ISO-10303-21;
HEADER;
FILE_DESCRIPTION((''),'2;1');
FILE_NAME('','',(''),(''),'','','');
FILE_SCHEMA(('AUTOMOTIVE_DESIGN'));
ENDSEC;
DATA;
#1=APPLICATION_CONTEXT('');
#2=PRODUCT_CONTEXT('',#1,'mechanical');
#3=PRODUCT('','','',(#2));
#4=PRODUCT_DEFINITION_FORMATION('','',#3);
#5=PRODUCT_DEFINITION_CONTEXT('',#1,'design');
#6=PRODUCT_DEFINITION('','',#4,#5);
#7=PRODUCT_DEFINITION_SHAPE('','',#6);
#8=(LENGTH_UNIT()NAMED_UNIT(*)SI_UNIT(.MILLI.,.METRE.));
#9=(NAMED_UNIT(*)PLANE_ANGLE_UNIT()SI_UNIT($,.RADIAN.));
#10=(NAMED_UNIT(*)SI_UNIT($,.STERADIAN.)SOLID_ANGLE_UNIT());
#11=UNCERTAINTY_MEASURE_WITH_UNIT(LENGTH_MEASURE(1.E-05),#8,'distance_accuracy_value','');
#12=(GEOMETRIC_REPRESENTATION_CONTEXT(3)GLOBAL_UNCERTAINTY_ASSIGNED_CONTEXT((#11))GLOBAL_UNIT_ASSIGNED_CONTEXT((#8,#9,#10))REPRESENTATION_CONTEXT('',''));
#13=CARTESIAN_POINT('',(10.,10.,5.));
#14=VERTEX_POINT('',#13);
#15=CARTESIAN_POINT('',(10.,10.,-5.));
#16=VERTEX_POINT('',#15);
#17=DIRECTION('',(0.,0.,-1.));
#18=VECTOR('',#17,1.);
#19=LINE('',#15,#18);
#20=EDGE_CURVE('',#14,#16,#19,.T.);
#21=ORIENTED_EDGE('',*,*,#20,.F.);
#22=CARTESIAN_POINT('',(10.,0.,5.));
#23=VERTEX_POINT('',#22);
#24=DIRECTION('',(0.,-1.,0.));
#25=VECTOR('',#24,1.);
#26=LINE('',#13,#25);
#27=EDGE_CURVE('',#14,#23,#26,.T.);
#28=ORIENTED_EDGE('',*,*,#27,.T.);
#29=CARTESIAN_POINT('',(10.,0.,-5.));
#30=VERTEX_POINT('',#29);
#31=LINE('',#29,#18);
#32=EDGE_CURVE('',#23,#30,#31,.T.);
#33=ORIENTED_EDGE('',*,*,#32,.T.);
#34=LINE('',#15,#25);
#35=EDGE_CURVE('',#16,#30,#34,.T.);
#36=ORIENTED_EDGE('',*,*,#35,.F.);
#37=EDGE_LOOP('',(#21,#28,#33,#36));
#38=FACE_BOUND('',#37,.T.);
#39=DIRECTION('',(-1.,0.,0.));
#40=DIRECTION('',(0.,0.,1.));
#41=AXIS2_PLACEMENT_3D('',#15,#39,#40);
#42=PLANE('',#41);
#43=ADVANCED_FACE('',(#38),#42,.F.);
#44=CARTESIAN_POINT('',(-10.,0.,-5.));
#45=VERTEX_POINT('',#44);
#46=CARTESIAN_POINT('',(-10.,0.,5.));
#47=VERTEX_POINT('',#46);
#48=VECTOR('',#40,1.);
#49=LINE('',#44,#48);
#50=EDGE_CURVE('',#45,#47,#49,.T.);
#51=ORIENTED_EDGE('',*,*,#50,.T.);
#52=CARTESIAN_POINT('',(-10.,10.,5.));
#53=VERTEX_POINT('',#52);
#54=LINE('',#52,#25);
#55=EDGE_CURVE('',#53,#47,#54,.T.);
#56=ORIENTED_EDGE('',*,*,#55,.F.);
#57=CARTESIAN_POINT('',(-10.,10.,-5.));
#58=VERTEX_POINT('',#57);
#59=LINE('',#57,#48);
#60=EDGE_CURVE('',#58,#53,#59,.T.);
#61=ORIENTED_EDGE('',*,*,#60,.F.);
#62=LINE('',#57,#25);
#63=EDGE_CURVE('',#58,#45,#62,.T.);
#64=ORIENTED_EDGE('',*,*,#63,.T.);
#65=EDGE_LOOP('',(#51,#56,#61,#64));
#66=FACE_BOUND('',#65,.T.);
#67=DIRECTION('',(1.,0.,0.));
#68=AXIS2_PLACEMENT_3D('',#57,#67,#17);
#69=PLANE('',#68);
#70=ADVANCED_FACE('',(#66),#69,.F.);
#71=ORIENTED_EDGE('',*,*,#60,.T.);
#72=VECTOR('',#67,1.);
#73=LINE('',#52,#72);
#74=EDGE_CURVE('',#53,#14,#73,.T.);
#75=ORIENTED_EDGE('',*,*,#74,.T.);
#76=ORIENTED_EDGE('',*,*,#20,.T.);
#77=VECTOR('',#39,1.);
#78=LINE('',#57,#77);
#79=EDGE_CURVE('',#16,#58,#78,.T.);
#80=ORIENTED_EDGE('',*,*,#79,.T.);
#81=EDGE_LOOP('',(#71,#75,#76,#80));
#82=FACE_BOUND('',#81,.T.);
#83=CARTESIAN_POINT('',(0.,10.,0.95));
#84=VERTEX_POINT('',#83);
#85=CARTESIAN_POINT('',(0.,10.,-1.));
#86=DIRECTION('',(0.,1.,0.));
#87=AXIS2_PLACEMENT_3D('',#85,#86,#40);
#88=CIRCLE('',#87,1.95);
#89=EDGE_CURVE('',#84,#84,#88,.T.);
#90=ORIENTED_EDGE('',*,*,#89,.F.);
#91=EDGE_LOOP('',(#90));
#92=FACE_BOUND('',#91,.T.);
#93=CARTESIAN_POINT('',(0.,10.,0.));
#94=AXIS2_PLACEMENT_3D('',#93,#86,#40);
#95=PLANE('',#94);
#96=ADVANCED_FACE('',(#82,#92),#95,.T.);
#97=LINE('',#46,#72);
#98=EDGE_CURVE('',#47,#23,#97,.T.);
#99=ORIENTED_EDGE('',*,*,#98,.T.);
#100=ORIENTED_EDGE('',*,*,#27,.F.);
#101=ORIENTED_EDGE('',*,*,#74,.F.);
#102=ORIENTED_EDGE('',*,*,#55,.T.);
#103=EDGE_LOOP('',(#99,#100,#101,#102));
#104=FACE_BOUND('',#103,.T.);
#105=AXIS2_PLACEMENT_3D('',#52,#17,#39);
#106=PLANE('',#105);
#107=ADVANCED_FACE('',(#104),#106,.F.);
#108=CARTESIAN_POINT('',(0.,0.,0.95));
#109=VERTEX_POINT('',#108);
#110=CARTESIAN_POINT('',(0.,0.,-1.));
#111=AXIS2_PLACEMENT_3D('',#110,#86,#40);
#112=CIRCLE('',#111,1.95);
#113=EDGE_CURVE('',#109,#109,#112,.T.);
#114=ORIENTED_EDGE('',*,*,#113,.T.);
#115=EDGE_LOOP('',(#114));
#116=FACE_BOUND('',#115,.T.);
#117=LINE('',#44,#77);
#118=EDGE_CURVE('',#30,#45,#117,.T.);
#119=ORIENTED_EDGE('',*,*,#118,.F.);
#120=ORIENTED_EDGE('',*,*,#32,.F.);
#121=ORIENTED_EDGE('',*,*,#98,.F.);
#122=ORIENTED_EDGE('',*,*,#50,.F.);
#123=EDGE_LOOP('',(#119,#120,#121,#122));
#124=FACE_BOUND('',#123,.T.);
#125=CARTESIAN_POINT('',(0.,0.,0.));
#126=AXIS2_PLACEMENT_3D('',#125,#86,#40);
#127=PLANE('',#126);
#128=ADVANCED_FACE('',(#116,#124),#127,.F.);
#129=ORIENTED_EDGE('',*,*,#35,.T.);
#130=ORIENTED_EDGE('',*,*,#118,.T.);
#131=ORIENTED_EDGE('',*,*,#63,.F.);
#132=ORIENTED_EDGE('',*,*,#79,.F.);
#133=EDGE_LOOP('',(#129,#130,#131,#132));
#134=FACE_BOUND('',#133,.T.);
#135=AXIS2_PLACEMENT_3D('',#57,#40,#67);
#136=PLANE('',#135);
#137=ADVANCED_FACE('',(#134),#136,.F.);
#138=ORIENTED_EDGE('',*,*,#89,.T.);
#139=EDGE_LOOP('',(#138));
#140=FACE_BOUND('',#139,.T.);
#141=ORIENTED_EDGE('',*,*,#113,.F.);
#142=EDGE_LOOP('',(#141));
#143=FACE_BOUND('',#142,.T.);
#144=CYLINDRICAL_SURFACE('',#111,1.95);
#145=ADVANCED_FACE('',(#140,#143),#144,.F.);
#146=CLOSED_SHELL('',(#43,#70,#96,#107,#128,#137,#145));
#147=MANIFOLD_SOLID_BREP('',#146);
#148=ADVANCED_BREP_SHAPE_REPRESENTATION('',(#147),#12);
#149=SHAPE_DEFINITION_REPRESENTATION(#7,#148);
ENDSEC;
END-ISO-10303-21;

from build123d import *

# Parameters (mm, degrees)
SKETCH3_W           = 20
SKETCH3_H           = 10
BOSS_EXTRUDE1_DEPTH = 10
SKETCH4_R           = 1.95
CUT_EXTRUDE1_DEPTH  = 10


with BuildPart() as part:
    # Sketch3 → Boss-Extrude1 (new body)
    with BuildSketch(Plane(origin=(0, 0, 0), x_dir=(1, 0, 0), z_dir=(0, 1, 0))):
        Rectangle(SKETCH3_W, SKETCH3_H)
    extrude(amount=BOSS_EXTRUDE1_DEPTH)

    # Sketch4 → Cut-Extrude1 (cut)
    with BuildSketch(Plane(origin=(0, 10, 0), x_dir=(1, 0, 0), z_dir=(0, 1, 0))):
        with Locations((0, 1)):
            Circle(SKETCH4_R)
    extrude(amount=-CUT_EXTRUDE1_DEPTH, mode=Mode.SUBTRACT)


solid = part.part
